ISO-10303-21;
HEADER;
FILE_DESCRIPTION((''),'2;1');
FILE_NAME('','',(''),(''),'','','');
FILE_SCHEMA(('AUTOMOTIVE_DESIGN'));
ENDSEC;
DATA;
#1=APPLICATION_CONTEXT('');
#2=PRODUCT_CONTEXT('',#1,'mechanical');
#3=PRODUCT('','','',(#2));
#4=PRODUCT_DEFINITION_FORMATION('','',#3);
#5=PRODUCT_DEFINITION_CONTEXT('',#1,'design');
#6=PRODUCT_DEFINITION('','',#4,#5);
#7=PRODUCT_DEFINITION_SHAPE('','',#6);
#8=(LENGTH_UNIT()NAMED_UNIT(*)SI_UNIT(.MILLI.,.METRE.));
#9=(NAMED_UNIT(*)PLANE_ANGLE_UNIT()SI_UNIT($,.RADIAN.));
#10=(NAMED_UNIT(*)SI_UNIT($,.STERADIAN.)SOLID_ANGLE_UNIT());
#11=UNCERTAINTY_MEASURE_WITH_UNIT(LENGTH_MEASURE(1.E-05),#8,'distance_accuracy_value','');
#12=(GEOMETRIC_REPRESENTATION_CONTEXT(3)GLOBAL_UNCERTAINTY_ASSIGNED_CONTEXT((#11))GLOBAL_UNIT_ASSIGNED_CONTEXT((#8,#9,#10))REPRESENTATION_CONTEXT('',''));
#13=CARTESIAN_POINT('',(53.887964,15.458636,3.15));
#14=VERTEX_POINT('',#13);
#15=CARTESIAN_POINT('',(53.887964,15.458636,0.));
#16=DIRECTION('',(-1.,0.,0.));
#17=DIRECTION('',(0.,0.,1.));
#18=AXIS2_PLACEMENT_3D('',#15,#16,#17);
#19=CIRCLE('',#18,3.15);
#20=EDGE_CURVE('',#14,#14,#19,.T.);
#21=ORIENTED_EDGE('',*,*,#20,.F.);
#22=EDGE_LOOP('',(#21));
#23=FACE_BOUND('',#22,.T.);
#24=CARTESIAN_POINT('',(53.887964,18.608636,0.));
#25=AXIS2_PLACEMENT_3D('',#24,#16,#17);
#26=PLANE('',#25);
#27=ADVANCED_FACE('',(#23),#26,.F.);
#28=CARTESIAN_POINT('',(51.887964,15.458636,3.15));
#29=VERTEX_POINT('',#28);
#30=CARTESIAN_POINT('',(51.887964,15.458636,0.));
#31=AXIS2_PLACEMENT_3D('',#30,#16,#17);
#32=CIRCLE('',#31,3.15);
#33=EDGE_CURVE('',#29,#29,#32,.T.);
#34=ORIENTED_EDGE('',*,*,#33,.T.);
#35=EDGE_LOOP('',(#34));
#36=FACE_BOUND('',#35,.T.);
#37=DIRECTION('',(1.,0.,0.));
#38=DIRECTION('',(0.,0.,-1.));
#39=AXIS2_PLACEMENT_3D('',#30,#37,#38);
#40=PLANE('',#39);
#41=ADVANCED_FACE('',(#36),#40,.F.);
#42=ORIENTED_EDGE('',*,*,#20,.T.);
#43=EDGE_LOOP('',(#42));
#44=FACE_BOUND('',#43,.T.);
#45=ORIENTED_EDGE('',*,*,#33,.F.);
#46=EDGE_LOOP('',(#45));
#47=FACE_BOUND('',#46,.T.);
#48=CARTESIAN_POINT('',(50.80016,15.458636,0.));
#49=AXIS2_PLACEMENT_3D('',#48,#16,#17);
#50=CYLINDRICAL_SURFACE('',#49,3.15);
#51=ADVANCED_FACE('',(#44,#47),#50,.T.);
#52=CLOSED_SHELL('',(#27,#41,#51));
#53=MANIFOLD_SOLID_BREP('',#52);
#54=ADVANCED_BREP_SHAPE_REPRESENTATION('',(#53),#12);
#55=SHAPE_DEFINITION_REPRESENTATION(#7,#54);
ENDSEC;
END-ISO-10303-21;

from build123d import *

# Parameters (mm, degrees)
SKETCH_1_W = 2
SKETCH_1_H = 3.15


with BuildPart() as part:
    # 草图1 → 旋转1 (revolve)
    with BuildSketch(Plane.XY, mode=Mode.PRIVATE) as revolve_1_sk:
        with Locations((52.887964479, 17.03363587)):
            Rectangle(SKETCH_1_W, SKETCH_1_H)
    revolve(revolve_1_sk.sketch.rotate(Axis((50.800160399, 15.45863587, 0), (1, 0, 0)), 90), axis=Axis((50.800160399, 15.45863587, 0), (1, 0, 0)))  # turned: the seam where the file's is


solid = part.part
